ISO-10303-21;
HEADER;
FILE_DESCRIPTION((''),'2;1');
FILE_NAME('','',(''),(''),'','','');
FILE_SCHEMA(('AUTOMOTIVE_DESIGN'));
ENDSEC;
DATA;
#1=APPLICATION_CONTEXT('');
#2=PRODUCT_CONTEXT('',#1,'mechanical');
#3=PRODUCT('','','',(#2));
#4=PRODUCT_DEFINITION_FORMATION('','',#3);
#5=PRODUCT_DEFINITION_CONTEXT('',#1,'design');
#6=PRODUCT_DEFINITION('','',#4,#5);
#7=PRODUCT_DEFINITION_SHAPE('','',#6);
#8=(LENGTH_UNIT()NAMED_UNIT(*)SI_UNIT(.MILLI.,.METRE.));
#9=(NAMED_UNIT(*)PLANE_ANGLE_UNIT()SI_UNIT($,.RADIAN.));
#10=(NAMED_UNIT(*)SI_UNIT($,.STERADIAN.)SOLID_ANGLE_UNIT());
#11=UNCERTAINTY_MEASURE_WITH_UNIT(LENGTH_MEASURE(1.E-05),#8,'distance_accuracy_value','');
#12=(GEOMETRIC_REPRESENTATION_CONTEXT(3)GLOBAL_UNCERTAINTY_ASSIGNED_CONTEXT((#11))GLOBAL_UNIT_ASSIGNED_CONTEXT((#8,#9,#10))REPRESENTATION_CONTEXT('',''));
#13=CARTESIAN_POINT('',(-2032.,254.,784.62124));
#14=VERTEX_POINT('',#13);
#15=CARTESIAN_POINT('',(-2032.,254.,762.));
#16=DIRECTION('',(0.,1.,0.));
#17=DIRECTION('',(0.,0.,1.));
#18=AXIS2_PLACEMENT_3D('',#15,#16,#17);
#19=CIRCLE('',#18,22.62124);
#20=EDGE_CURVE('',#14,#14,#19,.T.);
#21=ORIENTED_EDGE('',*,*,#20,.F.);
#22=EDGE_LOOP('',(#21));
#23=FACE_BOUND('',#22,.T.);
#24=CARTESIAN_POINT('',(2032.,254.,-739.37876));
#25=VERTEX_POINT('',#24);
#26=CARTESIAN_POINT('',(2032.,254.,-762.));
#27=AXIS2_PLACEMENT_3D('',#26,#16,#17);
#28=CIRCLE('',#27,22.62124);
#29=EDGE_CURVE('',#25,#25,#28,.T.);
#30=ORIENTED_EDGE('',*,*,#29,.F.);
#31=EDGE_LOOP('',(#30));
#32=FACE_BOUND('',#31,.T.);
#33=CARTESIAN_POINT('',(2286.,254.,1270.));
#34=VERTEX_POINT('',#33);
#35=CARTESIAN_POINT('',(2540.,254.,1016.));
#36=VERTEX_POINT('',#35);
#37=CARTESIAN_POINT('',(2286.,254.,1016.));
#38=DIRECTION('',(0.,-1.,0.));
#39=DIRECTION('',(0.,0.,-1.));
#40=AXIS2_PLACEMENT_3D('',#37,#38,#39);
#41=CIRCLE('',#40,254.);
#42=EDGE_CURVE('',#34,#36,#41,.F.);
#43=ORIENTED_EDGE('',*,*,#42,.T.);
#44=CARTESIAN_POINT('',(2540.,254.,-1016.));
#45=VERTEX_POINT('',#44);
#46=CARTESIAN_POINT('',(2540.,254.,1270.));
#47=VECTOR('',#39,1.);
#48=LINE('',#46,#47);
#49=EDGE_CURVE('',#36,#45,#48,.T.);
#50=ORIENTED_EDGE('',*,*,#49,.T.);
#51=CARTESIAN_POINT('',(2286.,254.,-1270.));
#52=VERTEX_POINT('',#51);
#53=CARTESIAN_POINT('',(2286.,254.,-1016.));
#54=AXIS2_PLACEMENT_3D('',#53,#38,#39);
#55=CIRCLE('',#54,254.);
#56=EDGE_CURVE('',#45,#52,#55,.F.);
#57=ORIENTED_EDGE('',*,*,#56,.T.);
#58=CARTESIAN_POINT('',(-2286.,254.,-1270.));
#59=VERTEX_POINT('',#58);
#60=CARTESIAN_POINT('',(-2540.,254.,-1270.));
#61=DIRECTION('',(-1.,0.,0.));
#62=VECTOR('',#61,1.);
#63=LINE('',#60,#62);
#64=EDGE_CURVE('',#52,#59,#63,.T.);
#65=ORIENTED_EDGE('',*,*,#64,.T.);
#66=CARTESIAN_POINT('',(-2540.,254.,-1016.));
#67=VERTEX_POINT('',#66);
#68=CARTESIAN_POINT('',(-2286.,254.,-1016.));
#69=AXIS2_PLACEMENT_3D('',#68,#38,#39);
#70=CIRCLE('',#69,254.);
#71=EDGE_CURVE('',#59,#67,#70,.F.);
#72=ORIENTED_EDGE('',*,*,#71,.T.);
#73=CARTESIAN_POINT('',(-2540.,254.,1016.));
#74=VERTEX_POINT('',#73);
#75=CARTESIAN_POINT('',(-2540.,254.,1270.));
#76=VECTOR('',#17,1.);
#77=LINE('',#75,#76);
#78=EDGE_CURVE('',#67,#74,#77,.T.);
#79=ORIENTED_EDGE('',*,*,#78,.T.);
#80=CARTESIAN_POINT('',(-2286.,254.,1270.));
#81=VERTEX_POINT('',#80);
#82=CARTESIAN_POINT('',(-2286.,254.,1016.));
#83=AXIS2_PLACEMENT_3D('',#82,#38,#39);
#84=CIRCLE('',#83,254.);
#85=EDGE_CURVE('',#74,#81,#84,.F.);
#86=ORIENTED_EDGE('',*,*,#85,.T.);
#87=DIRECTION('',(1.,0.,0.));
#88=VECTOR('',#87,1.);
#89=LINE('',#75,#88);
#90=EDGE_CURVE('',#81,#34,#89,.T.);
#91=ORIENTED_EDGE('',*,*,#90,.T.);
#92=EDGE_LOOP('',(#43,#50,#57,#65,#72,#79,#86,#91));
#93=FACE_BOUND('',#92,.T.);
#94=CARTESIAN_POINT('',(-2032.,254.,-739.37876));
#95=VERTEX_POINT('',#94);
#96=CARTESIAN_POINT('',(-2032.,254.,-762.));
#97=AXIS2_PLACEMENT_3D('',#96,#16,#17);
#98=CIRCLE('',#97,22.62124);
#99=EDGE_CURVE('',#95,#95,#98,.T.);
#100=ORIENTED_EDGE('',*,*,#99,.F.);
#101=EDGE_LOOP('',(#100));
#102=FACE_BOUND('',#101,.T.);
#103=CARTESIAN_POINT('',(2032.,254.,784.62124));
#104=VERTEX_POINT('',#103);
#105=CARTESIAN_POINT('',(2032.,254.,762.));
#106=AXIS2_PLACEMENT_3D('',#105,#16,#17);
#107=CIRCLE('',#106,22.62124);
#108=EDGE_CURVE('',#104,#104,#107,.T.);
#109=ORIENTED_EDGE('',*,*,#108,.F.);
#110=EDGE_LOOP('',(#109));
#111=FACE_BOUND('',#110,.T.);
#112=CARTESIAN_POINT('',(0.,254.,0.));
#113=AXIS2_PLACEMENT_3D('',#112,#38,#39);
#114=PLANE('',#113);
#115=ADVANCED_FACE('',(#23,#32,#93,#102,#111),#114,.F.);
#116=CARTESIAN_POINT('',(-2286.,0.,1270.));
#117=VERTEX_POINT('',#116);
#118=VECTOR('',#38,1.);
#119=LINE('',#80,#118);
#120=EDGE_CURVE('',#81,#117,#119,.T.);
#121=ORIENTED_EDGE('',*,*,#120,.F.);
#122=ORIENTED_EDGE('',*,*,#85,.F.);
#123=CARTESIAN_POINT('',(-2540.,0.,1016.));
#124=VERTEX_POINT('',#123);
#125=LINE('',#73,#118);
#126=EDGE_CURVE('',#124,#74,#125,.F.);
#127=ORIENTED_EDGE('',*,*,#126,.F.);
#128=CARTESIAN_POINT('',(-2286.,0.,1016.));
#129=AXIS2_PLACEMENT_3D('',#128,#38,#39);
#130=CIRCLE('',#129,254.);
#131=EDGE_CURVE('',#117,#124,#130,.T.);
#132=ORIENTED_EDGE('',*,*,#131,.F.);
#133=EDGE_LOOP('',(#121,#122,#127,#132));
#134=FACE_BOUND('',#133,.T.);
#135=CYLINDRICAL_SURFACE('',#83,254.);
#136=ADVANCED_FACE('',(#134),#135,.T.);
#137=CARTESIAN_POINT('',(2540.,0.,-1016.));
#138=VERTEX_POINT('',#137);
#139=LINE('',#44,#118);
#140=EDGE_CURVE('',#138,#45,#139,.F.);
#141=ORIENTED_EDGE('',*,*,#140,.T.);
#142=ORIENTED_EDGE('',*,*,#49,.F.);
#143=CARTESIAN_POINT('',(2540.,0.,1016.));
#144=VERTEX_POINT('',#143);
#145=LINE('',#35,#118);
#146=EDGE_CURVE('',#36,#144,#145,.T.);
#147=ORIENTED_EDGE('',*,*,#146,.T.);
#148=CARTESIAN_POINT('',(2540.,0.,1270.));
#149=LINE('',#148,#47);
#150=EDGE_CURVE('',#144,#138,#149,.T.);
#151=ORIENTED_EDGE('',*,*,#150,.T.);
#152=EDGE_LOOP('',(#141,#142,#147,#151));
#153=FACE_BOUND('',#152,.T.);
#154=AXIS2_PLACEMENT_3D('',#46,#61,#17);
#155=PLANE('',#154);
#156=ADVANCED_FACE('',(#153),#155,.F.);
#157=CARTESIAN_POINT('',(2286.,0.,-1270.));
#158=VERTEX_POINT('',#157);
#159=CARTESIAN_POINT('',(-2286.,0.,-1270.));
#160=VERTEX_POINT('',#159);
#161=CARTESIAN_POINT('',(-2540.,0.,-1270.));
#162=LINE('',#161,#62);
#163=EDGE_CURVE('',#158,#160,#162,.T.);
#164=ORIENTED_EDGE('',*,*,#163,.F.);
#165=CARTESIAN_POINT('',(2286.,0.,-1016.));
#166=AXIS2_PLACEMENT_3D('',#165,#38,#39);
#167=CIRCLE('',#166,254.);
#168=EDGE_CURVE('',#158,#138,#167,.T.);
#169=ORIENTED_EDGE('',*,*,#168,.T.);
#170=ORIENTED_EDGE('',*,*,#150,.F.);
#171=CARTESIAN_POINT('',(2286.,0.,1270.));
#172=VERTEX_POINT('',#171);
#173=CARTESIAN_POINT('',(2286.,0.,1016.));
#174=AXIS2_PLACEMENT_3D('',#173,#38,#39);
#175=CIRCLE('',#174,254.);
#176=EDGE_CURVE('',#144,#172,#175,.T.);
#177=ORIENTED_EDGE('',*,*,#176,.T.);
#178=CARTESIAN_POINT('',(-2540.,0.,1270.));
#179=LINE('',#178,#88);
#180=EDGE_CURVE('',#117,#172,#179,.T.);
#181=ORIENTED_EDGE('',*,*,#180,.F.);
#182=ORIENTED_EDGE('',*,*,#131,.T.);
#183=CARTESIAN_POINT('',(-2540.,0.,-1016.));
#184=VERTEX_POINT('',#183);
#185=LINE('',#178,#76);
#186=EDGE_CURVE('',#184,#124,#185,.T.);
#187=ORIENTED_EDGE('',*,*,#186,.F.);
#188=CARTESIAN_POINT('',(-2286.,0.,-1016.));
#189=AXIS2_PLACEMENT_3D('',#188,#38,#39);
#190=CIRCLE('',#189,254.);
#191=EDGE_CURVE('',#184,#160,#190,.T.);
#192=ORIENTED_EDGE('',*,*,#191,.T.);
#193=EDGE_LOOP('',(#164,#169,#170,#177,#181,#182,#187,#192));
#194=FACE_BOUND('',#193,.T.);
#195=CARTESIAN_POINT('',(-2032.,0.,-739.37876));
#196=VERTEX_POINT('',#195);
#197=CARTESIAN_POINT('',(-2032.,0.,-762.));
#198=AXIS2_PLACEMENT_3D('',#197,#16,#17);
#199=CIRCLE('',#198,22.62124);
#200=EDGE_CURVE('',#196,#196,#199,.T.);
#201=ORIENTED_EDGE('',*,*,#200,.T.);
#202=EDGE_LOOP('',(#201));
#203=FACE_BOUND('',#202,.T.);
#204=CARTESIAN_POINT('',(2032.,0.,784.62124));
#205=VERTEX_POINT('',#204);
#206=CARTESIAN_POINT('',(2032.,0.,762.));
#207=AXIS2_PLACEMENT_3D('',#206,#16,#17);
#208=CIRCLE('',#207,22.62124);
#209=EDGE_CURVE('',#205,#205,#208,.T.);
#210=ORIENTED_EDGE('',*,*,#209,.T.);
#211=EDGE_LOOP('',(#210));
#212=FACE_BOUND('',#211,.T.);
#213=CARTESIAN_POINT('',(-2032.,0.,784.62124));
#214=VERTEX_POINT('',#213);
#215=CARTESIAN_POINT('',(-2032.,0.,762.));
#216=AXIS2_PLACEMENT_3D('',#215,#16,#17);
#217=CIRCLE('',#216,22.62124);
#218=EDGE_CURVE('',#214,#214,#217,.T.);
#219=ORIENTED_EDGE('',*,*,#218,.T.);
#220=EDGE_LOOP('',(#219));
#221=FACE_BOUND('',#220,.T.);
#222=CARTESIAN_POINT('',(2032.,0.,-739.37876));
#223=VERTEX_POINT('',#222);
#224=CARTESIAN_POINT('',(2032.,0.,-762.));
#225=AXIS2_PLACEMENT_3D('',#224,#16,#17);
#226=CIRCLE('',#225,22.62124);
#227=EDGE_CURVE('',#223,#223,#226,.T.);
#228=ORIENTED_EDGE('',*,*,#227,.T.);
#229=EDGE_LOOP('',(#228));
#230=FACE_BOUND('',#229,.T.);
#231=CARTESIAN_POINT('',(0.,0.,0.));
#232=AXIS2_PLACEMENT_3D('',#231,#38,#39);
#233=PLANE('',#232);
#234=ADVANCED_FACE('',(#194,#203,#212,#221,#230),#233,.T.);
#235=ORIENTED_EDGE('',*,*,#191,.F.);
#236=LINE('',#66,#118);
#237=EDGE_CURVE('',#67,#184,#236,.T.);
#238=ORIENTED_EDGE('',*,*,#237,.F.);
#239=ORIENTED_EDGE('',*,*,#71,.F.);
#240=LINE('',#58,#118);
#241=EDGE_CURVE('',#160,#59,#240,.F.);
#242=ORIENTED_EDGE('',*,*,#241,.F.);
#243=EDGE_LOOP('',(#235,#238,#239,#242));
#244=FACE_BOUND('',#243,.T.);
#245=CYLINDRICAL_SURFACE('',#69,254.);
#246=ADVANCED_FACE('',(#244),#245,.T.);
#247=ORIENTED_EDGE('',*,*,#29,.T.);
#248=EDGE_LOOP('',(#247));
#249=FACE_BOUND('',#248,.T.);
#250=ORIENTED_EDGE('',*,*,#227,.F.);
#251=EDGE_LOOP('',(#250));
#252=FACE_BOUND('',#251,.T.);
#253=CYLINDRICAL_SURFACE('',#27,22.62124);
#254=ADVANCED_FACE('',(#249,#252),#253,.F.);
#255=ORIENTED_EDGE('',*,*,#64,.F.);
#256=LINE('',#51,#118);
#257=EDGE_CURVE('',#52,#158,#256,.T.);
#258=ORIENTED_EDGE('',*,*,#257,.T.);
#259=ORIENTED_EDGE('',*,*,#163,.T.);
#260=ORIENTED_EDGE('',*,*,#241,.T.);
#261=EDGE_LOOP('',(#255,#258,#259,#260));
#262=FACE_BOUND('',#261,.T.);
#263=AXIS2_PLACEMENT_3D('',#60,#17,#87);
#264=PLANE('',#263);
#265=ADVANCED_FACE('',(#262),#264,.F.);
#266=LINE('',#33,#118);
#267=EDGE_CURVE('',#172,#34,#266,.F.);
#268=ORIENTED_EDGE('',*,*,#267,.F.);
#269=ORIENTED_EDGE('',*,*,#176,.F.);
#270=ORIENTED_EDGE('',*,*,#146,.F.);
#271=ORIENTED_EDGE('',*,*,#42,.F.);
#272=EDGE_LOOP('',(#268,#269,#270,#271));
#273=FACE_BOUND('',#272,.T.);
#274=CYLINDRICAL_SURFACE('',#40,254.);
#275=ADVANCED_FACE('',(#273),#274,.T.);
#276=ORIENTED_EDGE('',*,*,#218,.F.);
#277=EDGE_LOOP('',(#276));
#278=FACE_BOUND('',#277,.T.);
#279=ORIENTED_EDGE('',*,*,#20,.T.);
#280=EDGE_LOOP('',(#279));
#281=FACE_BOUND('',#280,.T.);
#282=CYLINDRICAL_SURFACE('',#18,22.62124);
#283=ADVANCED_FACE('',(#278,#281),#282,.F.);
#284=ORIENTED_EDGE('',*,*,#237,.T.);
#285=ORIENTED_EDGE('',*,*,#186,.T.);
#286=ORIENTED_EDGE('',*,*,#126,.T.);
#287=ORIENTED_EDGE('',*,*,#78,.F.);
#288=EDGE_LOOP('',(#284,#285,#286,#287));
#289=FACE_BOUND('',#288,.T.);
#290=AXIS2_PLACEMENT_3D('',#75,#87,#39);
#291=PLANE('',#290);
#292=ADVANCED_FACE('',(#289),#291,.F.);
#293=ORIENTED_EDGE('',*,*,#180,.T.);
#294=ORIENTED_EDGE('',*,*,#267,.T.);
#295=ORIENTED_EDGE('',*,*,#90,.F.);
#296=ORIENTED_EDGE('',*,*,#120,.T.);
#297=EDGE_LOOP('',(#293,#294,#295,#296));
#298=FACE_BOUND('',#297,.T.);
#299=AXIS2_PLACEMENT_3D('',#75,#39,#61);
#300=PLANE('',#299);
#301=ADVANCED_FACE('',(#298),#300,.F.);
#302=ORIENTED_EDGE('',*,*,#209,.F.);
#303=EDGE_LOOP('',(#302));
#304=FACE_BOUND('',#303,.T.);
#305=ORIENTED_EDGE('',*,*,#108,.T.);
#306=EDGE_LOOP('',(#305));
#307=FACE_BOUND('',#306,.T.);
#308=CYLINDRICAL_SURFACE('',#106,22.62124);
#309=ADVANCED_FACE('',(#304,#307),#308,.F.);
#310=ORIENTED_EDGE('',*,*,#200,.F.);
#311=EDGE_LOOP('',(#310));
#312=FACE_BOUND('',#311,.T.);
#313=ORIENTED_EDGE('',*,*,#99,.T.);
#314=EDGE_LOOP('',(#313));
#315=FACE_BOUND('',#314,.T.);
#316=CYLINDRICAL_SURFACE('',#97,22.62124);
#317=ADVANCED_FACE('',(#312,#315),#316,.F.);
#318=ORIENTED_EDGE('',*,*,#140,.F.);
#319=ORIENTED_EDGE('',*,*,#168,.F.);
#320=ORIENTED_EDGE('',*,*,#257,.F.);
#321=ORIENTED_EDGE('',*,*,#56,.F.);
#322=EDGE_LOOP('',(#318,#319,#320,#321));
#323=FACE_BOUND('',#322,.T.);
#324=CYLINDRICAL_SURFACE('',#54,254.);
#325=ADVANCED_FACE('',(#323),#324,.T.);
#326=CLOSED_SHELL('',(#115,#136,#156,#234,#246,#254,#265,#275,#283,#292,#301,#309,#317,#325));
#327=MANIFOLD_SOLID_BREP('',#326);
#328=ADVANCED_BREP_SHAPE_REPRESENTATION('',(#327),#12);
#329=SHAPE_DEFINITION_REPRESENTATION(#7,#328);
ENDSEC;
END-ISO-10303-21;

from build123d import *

# Parameters (mm, degrees)
SKETCH1_W              = 5080
SKETCH1_H              = 2540
BOSS_EXTRUDE1_DEPTH    = 254
F_2_4_5_TAPPED_HOLE1_D = 45.24248
FILLET1_R              = 254


with BuildPart() as part:
    # Sketch1 → Boss-Extrude1 (new body)
    with BuildSketch(Plane(origin=(0, 0, 0), x_dir=(1, 0, 0), z_dir=(0, 1, 0))):
        Rectangle(SKETCH1_W, SKETCH1_H)
    extrude(amount=BOSS_EXTRUDE1_DEPTH)

    # 2-4.5 Tapped Hole1 (through all)
    with Locations(Plane(origin=(-2032, 254, 762), x_dir=(0, 0, 1), z_dir=(0, 1, 0))):
        with Locations((0, 0), (-1524, 0), (-1524, 4064), (0, 4064)):
            Hole(F_2_4_5_TAPPED_HOLE1_D / 2)

    # Fillet1
    fillet1_edges = [part.edges().sort_by_distance(p)[0] for p in [
        (2540, 127, 1270),
        (-2540, 127, 1270),
        (-2540, 127, -1270),
        (2540, 127, -1270),
    ]]
    fillet(fillet1_edges, radius=FILLET1_R)


solid = part.part
